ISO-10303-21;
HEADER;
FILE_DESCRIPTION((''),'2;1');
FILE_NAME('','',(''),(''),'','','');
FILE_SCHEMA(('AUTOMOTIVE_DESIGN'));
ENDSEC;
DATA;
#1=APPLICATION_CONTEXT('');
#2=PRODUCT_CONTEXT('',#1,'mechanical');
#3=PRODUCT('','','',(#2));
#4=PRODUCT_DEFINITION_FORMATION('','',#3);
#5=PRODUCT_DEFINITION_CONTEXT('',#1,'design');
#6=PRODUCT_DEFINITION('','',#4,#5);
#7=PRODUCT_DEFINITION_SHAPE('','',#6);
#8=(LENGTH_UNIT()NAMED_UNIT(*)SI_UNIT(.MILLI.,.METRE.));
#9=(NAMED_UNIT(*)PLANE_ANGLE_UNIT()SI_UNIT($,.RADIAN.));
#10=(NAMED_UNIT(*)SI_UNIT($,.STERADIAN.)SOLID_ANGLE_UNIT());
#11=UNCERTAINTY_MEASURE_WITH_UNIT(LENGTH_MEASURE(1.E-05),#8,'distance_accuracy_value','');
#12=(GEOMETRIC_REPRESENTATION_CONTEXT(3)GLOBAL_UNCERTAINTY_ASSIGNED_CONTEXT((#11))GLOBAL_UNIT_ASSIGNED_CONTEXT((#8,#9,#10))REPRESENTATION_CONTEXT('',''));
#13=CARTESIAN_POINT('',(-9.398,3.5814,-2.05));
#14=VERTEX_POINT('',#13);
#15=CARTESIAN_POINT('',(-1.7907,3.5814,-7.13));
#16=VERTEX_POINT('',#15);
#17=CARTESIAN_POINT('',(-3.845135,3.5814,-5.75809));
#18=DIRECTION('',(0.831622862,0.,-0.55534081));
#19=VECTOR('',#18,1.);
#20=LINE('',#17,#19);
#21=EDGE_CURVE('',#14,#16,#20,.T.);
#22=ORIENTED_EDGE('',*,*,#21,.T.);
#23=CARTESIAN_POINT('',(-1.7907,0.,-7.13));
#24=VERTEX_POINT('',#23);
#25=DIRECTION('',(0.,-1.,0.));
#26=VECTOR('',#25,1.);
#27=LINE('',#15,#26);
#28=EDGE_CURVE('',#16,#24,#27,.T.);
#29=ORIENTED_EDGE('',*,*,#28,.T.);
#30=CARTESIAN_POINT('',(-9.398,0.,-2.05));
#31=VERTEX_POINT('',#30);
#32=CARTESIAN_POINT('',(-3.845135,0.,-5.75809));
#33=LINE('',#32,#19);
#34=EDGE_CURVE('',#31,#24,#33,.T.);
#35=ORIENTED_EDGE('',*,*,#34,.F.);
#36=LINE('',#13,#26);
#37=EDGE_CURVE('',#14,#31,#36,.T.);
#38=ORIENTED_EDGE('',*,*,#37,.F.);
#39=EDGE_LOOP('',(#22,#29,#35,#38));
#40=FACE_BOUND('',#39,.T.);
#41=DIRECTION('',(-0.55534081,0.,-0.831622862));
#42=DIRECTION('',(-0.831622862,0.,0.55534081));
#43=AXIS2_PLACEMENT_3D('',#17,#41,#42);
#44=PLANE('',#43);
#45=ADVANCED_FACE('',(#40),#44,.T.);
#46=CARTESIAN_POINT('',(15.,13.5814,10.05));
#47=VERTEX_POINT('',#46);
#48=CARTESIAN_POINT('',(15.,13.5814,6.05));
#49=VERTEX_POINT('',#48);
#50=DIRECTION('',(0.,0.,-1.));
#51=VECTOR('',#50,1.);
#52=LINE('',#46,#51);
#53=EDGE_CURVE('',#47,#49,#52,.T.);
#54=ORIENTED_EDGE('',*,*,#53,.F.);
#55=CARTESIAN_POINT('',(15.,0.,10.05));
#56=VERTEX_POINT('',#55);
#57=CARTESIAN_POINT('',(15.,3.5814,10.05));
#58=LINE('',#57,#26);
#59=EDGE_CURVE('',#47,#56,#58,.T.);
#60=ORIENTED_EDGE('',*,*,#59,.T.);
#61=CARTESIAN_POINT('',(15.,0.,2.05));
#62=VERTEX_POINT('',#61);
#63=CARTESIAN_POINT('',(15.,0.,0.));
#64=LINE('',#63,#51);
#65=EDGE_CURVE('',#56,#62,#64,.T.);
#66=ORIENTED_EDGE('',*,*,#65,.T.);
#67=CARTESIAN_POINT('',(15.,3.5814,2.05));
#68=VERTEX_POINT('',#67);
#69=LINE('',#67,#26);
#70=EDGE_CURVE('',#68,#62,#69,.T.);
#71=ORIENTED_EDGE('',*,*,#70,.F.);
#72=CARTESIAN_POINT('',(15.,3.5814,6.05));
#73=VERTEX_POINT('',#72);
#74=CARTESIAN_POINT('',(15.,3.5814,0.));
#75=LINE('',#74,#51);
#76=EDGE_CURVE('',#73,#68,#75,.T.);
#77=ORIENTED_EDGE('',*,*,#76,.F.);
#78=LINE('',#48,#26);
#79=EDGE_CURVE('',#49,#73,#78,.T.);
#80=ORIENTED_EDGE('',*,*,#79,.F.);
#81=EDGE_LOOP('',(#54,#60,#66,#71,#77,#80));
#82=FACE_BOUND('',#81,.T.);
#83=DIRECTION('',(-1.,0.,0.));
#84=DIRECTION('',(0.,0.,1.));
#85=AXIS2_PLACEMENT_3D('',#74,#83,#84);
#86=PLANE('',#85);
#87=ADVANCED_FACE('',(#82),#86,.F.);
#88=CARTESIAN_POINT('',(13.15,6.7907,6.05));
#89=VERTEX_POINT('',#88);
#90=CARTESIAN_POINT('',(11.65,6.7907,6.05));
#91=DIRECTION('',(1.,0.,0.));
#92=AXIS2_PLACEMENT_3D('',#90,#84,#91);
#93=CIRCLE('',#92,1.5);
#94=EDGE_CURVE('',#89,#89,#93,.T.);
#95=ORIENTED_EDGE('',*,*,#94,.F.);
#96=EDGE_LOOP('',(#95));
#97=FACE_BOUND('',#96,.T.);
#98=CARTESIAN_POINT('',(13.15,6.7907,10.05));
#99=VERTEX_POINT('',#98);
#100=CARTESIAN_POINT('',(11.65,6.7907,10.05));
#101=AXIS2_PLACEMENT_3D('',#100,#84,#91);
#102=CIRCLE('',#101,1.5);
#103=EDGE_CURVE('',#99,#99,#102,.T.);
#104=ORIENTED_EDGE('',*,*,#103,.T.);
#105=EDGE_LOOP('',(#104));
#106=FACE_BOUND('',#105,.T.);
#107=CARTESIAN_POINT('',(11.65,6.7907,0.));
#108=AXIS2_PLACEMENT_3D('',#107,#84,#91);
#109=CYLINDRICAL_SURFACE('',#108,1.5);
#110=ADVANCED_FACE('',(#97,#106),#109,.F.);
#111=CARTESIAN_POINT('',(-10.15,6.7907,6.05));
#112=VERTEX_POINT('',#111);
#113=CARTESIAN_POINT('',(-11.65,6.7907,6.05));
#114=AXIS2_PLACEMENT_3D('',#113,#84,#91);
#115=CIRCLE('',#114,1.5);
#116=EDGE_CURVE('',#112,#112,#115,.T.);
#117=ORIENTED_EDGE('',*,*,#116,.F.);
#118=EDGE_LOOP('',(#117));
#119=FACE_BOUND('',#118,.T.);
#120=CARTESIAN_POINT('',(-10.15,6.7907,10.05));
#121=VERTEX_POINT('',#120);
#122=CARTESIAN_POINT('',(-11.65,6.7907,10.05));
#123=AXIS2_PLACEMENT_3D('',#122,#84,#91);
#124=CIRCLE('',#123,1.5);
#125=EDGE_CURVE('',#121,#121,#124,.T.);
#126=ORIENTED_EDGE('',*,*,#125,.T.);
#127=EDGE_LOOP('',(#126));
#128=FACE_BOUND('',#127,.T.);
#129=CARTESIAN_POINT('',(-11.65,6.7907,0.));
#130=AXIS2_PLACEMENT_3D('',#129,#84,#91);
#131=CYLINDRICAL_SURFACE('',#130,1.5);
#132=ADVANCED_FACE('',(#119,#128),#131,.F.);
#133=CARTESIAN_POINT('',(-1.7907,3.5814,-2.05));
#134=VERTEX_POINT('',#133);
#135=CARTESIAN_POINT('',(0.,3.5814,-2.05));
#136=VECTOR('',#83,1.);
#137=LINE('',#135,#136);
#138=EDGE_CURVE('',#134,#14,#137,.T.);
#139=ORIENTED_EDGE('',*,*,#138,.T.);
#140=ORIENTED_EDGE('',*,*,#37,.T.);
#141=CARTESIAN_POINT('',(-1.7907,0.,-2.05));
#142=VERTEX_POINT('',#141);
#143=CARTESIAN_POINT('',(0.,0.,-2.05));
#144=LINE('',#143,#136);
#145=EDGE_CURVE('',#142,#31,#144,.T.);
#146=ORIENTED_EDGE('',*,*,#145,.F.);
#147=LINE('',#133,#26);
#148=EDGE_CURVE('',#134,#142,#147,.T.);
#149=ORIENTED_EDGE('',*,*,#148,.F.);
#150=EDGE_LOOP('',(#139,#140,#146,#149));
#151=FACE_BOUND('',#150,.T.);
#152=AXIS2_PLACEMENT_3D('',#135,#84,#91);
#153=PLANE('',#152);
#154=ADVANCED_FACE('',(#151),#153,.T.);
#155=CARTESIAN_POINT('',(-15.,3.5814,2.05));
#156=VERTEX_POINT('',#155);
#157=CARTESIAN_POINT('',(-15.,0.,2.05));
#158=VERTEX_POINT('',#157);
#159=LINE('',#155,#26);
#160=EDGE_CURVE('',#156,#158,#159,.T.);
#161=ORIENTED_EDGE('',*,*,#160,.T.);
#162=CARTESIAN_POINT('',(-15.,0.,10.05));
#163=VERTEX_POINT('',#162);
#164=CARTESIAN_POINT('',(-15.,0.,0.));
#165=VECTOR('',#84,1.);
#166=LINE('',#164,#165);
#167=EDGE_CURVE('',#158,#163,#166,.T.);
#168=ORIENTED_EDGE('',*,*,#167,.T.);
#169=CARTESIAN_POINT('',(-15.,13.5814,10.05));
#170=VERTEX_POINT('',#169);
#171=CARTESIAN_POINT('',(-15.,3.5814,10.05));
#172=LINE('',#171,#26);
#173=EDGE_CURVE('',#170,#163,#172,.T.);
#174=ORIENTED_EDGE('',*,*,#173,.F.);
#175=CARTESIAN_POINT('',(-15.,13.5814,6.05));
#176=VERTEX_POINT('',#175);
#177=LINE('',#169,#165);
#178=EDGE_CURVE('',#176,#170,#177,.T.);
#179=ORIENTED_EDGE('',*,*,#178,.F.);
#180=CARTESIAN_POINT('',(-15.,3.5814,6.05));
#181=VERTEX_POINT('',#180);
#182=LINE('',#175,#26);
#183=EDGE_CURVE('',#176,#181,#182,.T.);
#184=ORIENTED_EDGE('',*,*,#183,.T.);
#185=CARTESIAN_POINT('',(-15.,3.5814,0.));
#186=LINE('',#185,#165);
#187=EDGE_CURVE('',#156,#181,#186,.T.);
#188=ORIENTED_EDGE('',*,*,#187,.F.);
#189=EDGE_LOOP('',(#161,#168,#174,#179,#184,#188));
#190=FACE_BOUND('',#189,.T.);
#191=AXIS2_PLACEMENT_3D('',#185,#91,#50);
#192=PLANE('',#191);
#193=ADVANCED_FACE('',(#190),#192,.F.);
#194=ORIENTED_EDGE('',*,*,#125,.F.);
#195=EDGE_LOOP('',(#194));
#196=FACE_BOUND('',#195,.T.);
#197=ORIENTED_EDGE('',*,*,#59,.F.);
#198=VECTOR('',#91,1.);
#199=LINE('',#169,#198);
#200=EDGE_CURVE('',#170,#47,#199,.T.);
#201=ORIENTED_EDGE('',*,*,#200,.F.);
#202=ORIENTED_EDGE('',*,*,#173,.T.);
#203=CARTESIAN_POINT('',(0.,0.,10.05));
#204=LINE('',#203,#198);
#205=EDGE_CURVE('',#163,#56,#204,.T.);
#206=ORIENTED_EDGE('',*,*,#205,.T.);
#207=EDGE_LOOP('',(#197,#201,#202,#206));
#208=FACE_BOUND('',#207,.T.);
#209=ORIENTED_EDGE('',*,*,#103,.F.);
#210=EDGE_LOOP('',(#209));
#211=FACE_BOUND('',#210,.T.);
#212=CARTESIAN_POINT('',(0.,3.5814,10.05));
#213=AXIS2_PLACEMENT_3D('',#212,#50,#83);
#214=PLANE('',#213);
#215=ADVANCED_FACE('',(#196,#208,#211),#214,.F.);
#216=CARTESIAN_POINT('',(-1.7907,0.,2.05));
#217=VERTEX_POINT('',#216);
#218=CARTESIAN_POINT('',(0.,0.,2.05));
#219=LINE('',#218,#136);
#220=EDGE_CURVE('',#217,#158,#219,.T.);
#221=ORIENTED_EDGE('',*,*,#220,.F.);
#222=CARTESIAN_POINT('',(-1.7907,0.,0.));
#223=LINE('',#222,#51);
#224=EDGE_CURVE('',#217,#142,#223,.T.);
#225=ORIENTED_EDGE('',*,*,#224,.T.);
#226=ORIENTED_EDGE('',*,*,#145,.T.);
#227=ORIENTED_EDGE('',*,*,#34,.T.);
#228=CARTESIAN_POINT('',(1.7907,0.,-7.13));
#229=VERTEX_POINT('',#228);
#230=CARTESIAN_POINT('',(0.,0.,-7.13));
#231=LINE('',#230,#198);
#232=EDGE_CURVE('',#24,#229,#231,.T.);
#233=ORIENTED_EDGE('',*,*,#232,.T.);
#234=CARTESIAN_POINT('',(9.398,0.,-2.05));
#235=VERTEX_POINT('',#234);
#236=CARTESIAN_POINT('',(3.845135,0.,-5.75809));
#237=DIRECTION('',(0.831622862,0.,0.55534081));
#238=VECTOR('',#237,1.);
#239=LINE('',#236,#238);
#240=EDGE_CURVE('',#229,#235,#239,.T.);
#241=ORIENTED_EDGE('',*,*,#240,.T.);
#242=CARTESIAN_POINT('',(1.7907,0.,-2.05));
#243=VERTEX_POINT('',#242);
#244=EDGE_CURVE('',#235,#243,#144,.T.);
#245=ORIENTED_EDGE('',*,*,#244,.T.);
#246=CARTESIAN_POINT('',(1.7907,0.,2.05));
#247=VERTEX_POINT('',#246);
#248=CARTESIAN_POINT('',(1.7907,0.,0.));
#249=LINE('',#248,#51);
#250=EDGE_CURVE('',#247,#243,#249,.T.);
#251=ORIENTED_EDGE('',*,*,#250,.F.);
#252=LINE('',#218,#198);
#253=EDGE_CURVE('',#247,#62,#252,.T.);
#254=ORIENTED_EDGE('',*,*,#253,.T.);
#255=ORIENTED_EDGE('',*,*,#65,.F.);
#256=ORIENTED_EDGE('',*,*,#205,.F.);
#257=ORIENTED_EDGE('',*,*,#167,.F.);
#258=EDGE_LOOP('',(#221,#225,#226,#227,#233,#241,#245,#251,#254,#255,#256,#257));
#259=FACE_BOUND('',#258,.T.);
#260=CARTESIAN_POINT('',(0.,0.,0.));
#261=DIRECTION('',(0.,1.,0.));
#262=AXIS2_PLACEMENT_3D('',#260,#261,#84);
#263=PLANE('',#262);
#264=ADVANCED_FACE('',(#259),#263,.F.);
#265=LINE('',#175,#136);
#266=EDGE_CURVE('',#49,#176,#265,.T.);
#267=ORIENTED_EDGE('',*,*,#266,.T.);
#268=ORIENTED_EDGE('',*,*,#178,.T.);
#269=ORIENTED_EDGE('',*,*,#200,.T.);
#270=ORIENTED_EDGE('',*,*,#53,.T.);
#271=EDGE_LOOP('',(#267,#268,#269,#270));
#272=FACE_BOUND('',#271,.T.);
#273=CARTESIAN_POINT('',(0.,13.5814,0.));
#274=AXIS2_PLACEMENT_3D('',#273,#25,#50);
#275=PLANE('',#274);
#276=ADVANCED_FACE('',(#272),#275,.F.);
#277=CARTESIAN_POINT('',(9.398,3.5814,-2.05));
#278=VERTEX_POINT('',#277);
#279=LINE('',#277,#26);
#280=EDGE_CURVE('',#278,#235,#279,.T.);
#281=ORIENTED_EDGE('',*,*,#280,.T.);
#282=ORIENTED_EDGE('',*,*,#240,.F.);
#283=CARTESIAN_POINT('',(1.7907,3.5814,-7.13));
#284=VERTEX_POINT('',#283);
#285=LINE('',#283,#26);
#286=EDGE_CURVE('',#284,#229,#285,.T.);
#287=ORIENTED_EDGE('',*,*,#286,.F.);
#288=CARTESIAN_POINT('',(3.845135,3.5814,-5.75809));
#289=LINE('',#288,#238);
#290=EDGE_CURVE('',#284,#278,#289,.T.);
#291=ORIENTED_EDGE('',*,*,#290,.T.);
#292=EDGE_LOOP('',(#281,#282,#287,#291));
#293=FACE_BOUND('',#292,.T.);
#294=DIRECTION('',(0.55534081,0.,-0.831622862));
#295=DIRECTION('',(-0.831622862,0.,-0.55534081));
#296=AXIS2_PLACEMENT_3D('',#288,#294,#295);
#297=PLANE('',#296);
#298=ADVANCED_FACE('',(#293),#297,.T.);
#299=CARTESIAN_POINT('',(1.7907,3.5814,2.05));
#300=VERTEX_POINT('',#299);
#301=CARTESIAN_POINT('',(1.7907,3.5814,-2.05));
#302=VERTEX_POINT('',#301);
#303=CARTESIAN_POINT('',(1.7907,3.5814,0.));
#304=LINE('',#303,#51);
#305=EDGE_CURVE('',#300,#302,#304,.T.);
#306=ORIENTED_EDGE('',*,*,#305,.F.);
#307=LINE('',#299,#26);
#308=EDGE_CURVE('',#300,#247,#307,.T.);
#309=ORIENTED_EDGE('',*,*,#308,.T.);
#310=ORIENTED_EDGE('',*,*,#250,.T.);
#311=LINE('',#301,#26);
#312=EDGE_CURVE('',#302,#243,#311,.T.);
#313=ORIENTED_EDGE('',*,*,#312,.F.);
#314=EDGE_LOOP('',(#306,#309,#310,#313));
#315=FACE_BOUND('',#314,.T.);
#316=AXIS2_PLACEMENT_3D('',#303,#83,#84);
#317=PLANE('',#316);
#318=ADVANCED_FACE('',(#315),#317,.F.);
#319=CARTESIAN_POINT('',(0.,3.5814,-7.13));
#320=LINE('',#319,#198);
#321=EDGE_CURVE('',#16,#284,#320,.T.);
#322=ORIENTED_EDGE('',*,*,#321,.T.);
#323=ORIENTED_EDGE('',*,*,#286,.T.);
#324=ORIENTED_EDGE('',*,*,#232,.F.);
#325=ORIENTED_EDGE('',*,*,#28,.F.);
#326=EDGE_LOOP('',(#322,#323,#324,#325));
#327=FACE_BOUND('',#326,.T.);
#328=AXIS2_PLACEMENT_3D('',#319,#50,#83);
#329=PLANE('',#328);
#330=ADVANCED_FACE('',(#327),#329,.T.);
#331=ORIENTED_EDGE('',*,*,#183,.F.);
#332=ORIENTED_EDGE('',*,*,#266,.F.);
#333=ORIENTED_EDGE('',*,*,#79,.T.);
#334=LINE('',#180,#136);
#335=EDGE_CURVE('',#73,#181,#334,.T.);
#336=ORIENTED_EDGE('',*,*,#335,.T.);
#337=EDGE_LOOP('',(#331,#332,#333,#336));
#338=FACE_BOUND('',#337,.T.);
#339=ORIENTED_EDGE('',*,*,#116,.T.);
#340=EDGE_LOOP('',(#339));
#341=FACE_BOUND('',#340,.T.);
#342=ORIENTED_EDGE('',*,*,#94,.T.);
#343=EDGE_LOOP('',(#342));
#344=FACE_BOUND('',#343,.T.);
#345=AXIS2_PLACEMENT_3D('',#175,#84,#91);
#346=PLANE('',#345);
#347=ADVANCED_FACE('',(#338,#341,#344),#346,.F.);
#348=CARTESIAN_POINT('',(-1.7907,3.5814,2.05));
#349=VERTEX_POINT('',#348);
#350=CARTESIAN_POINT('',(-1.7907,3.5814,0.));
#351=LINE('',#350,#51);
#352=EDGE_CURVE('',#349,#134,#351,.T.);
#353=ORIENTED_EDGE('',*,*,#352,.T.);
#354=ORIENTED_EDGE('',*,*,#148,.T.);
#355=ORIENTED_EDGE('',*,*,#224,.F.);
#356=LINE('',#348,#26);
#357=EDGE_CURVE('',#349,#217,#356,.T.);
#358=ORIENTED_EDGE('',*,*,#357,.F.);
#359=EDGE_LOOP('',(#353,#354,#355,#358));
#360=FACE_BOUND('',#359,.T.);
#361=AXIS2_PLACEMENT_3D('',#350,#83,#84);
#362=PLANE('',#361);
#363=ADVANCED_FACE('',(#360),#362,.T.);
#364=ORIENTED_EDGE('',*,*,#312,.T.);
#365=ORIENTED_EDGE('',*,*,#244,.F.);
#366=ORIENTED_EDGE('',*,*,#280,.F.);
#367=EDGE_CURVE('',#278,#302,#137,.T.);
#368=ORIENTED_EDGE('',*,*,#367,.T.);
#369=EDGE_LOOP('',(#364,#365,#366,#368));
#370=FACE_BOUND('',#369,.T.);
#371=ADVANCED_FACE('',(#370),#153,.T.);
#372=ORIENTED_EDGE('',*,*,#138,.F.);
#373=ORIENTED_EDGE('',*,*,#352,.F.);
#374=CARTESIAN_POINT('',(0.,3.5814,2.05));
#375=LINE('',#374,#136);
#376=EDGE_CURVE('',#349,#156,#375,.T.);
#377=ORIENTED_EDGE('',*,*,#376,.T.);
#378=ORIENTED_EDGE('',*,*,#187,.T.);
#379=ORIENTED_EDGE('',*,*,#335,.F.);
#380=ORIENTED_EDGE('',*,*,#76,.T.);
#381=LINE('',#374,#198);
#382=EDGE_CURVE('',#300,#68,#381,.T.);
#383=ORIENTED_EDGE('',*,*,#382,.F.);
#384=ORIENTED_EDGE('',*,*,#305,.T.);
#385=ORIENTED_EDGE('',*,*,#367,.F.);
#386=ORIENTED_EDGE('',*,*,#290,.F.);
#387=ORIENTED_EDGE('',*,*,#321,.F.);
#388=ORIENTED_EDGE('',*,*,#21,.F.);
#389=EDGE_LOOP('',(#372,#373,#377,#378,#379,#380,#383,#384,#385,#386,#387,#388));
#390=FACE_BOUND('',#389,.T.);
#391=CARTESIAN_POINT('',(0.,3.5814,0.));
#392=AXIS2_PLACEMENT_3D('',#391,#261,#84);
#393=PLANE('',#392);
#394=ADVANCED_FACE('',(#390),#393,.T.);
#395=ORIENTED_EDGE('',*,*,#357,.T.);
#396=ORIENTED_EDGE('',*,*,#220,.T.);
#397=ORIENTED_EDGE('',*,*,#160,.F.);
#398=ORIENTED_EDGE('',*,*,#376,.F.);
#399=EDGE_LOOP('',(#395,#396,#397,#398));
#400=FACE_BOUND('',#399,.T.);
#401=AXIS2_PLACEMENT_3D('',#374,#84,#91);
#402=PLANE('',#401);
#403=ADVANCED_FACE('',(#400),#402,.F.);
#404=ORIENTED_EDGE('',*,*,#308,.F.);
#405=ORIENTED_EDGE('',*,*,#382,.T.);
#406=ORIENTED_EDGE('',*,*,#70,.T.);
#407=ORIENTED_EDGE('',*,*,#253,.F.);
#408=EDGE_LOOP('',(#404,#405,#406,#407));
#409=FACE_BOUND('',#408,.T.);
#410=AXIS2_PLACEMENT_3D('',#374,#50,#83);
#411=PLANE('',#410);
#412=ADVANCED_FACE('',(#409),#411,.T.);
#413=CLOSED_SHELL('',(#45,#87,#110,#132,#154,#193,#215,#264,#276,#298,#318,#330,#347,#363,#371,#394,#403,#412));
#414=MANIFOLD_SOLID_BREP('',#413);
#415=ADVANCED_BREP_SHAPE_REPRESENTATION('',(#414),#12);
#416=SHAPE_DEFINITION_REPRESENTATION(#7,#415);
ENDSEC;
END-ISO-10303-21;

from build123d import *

# Parameters (mm, degrees)
BOSS_EXTRUDE1_DEPTH = 3.5814
SKETCH2_W           = 30
SKETCH2_H           = 4
BOSS_EXTRUDE2_DEPTH = 10
SKETCH3_R           = 1.5
CUT_EXTRUDE1_DEPTH  = 4


with BuildPart() as part:
    # Sketch1 → Boss-Extrude1 (new body)
    with BuildSketch(Plane(origin=(0, 0, 0), x_dir=(1, 0, 0), z_dir=(0, 1, 0))):
        Polygon((-15, -10.05), (15, -10.05), (15, -2.05), (1.7907, -2.05), (1.7907, 2.05), (9.398, 2.05), (1.7907, 7.13), (-1.7907, 7.13), (-9.398, 2.05), (-1.7907, 2.05), (-1.7907, -2.05), (-15, -2.05), align=None)
    extrude(amount=BOSS_EXTRUDE1_DEPTH)

    # Sketch2 → Boss-Extrude2 (add)
    with BuildSketch(Plane(origin=(0, 3.5814, 0), x_dir=(1, 0, 0), z_dir=(0, 1, 0))):
        with Locations((0, -8.05)):
            Rectangle(SKETCH2_W, SKETCH2_H)
    extrude(amount=BOSS_EXTRUDE2_DEPTH)

    # Sketch3 → Cut-Extrude1 (cut)
    with BuildSketch(Plane.XY.offset(10.05)):
        with Locations((-11.65, 6.7907)):
            Circle(SKETCH3_R)
        with Locations((11.65, 6.7907)):
            Circle(SKETCH3_R)
    extrude(amount=-CUT_EXTRUDE1_DEPTH, mode=Mode.SUBTRACT)


solid = part.part
